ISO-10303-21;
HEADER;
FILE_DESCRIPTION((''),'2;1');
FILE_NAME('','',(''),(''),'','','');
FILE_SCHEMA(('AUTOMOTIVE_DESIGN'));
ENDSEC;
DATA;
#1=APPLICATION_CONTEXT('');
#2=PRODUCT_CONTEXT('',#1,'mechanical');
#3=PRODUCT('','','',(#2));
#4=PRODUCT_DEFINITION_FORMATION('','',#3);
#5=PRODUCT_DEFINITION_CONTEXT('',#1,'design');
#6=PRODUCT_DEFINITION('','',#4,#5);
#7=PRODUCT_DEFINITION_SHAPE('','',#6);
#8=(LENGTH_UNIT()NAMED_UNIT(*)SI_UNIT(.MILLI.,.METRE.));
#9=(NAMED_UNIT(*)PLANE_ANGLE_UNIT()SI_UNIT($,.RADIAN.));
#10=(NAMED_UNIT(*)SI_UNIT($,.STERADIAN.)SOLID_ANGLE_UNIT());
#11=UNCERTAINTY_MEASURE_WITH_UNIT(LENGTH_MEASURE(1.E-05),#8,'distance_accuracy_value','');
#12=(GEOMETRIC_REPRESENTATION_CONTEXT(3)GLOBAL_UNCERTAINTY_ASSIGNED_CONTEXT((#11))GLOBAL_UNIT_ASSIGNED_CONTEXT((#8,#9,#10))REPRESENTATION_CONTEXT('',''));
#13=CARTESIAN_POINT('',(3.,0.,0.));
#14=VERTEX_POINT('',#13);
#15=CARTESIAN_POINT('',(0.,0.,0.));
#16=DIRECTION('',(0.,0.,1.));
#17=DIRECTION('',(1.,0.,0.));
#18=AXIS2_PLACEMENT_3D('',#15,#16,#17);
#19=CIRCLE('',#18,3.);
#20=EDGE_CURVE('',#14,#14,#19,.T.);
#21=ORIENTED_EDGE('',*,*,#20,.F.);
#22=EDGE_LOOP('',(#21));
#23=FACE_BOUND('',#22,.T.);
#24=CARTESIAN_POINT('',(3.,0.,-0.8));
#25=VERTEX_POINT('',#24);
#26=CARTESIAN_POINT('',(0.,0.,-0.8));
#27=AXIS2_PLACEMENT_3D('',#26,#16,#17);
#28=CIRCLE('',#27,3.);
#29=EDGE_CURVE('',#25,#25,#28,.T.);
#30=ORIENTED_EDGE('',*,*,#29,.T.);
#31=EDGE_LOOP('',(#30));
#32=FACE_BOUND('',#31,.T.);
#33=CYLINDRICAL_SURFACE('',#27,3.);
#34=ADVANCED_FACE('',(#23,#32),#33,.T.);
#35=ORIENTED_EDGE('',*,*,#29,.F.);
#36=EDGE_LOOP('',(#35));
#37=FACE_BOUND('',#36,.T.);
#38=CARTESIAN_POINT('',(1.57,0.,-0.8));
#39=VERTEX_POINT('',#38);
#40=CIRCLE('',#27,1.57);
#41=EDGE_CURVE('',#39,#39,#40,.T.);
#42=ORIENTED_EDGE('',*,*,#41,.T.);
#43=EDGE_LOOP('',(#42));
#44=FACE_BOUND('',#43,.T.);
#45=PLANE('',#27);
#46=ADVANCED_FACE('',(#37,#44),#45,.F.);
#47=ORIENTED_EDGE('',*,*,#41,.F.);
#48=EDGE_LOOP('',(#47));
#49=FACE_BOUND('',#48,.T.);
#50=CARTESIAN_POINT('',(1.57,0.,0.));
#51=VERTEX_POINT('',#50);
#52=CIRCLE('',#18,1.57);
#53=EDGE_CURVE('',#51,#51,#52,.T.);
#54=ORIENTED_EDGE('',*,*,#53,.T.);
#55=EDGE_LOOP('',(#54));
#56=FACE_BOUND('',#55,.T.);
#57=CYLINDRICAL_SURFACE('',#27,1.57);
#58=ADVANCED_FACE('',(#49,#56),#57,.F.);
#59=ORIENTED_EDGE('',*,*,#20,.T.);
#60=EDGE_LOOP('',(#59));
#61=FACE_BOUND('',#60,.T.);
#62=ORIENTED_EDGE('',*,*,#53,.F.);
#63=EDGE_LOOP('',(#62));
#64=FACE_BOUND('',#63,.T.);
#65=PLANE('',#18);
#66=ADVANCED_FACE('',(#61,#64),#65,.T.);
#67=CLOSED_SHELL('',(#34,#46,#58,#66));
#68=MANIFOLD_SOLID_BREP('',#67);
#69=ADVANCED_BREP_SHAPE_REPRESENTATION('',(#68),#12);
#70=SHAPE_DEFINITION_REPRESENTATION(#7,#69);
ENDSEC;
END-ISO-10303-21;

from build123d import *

# Parameters (mm, degrees)
SKETCH1_R          = 3
SKETCH1_R_2        = 1.57
BASE_EXTRUDE_DEPTH = 0.8


with BuildPart() as part:
    # Sketch1 → Base-Extrude (new body)
    with BuildSketch(Plane.XY):
        Circle(SKETCH1_R)
        Circle(SKETCH1_R_2, mode=Mode.SUBTRACT)
    extrude(amount=-BASE_EXTRUDE_DEPTH)


solid = part.part
